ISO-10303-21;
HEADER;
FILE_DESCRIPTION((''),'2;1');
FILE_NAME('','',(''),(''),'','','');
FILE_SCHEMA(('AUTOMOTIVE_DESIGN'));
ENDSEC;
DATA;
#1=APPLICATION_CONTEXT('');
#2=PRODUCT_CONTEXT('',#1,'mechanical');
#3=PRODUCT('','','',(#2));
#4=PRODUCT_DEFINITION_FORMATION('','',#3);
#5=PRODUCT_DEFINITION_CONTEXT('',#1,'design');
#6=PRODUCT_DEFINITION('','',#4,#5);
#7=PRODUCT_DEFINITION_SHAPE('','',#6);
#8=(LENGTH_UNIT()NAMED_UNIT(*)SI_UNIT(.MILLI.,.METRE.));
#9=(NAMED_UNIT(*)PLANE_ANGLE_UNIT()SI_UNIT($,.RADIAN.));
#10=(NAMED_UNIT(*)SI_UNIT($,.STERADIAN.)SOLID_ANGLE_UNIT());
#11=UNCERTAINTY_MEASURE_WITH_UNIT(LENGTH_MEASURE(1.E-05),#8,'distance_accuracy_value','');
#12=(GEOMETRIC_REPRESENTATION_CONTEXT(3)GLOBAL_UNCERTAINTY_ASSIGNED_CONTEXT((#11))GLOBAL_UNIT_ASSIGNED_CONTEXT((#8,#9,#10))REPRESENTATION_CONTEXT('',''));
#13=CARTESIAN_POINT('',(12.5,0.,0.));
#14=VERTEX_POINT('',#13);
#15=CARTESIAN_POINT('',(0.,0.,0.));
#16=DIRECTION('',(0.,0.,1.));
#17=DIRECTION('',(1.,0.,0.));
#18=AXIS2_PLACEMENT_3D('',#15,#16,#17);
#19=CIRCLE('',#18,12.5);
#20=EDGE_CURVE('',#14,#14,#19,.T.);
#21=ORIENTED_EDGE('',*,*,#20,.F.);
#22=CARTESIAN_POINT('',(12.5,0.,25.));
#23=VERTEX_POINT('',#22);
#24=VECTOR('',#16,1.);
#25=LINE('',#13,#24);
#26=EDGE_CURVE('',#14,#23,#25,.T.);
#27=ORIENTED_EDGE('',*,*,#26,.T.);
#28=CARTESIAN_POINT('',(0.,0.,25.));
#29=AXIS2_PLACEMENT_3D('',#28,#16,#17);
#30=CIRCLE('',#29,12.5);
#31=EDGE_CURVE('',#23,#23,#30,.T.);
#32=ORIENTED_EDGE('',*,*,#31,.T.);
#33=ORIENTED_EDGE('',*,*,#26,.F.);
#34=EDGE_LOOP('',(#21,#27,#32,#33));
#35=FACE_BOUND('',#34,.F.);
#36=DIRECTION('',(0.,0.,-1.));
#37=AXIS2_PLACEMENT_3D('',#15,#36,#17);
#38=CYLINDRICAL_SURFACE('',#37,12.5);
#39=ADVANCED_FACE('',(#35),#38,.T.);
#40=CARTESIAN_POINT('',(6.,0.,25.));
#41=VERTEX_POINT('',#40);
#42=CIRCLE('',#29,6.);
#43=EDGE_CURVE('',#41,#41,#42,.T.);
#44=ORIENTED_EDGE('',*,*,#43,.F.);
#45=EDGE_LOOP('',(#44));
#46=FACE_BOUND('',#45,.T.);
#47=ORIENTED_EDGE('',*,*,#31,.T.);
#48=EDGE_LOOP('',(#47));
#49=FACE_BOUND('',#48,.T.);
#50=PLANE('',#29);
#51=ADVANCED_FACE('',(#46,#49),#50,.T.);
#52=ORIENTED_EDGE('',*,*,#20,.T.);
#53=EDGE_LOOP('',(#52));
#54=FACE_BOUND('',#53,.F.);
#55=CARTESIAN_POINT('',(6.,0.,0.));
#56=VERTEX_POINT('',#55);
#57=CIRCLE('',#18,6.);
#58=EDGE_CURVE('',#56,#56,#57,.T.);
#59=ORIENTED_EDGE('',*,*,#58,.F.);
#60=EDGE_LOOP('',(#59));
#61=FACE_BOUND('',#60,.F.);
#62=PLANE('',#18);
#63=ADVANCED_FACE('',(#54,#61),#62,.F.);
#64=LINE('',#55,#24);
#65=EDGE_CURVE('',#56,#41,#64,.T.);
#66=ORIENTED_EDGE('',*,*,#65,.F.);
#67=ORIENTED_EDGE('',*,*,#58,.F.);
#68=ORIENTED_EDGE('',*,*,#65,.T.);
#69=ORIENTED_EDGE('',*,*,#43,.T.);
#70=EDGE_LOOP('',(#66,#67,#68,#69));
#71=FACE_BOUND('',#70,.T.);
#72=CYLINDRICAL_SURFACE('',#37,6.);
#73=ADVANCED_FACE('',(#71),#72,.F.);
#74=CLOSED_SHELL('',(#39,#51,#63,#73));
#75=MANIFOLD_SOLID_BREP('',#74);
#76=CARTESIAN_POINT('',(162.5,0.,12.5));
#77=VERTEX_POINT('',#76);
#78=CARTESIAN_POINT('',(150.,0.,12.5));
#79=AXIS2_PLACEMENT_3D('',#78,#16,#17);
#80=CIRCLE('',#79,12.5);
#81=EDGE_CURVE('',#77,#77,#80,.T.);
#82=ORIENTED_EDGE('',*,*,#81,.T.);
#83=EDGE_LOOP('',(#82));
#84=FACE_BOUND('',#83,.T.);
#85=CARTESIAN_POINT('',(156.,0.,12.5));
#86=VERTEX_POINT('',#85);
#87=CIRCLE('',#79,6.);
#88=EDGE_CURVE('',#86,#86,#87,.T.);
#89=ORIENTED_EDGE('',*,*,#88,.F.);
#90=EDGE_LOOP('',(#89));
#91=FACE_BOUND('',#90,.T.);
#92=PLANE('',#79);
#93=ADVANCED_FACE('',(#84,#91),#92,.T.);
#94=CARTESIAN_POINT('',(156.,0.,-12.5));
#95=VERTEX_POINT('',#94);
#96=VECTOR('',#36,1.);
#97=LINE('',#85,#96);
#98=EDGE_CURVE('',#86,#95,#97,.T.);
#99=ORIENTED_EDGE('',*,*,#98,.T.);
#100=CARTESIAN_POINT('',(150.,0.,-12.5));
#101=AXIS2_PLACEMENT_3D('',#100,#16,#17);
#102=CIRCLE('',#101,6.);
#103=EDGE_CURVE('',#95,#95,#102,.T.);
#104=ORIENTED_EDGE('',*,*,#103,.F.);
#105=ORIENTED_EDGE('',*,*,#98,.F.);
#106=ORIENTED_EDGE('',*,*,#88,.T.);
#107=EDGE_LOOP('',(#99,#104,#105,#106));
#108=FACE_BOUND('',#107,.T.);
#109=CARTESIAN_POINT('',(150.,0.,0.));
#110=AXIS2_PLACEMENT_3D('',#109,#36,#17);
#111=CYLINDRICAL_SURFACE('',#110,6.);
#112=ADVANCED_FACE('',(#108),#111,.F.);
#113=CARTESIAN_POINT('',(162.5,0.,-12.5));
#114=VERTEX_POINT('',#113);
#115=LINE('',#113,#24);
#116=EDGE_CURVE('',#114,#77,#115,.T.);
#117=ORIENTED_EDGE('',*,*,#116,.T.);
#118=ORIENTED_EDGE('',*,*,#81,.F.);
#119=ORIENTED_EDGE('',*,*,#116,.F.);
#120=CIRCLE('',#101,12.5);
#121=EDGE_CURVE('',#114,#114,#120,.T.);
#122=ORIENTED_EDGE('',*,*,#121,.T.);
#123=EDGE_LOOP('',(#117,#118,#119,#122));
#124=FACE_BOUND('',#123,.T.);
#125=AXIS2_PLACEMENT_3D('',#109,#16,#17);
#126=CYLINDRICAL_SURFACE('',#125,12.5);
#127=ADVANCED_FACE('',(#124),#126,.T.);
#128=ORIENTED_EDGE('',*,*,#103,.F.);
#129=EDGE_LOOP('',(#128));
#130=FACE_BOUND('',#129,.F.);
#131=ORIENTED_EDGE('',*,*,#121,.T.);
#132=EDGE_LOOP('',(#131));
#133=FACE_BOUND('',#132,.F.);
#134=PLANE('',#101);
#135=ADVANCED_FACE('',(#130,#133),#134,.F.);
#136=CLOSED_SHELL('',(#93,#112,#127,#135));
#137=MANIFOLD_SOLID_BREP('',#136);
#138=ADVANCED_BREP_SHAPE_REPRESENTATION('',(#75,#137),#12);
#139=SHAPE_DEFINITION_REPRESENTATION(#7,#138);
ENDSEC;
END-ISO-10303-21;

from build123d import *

# Parameters (mm, degrees)
F0_R     = 12.5
F0_R_2   = 6
F1_DEPTH = 25
F2_DEPTH = 12.5


with BuildPart() as f1:
    # F0 (on Top) → F1 (new body)
    with BuildSketch(Plane.XY):
        Circle(F0_R)
        Circle(F0_R_2, mode=Mode.SUBTRACT)
    extrude(amount=F1_DEPTH)


with BuildPart() as f2:
    # F0 (on Top) → F2 (new body, symmetric)
    with BuildSketch(Plane.XY):
        with Locations((150, 0)):
            Circle(F0_R)
        with Locations((150, 0)):
            Circle(F0_R_2, mode=Mode.SUBTRACT)
    extrude(amount=F2_DEPTH, both=True)


solid = Compound([f1.part, f2.part])
